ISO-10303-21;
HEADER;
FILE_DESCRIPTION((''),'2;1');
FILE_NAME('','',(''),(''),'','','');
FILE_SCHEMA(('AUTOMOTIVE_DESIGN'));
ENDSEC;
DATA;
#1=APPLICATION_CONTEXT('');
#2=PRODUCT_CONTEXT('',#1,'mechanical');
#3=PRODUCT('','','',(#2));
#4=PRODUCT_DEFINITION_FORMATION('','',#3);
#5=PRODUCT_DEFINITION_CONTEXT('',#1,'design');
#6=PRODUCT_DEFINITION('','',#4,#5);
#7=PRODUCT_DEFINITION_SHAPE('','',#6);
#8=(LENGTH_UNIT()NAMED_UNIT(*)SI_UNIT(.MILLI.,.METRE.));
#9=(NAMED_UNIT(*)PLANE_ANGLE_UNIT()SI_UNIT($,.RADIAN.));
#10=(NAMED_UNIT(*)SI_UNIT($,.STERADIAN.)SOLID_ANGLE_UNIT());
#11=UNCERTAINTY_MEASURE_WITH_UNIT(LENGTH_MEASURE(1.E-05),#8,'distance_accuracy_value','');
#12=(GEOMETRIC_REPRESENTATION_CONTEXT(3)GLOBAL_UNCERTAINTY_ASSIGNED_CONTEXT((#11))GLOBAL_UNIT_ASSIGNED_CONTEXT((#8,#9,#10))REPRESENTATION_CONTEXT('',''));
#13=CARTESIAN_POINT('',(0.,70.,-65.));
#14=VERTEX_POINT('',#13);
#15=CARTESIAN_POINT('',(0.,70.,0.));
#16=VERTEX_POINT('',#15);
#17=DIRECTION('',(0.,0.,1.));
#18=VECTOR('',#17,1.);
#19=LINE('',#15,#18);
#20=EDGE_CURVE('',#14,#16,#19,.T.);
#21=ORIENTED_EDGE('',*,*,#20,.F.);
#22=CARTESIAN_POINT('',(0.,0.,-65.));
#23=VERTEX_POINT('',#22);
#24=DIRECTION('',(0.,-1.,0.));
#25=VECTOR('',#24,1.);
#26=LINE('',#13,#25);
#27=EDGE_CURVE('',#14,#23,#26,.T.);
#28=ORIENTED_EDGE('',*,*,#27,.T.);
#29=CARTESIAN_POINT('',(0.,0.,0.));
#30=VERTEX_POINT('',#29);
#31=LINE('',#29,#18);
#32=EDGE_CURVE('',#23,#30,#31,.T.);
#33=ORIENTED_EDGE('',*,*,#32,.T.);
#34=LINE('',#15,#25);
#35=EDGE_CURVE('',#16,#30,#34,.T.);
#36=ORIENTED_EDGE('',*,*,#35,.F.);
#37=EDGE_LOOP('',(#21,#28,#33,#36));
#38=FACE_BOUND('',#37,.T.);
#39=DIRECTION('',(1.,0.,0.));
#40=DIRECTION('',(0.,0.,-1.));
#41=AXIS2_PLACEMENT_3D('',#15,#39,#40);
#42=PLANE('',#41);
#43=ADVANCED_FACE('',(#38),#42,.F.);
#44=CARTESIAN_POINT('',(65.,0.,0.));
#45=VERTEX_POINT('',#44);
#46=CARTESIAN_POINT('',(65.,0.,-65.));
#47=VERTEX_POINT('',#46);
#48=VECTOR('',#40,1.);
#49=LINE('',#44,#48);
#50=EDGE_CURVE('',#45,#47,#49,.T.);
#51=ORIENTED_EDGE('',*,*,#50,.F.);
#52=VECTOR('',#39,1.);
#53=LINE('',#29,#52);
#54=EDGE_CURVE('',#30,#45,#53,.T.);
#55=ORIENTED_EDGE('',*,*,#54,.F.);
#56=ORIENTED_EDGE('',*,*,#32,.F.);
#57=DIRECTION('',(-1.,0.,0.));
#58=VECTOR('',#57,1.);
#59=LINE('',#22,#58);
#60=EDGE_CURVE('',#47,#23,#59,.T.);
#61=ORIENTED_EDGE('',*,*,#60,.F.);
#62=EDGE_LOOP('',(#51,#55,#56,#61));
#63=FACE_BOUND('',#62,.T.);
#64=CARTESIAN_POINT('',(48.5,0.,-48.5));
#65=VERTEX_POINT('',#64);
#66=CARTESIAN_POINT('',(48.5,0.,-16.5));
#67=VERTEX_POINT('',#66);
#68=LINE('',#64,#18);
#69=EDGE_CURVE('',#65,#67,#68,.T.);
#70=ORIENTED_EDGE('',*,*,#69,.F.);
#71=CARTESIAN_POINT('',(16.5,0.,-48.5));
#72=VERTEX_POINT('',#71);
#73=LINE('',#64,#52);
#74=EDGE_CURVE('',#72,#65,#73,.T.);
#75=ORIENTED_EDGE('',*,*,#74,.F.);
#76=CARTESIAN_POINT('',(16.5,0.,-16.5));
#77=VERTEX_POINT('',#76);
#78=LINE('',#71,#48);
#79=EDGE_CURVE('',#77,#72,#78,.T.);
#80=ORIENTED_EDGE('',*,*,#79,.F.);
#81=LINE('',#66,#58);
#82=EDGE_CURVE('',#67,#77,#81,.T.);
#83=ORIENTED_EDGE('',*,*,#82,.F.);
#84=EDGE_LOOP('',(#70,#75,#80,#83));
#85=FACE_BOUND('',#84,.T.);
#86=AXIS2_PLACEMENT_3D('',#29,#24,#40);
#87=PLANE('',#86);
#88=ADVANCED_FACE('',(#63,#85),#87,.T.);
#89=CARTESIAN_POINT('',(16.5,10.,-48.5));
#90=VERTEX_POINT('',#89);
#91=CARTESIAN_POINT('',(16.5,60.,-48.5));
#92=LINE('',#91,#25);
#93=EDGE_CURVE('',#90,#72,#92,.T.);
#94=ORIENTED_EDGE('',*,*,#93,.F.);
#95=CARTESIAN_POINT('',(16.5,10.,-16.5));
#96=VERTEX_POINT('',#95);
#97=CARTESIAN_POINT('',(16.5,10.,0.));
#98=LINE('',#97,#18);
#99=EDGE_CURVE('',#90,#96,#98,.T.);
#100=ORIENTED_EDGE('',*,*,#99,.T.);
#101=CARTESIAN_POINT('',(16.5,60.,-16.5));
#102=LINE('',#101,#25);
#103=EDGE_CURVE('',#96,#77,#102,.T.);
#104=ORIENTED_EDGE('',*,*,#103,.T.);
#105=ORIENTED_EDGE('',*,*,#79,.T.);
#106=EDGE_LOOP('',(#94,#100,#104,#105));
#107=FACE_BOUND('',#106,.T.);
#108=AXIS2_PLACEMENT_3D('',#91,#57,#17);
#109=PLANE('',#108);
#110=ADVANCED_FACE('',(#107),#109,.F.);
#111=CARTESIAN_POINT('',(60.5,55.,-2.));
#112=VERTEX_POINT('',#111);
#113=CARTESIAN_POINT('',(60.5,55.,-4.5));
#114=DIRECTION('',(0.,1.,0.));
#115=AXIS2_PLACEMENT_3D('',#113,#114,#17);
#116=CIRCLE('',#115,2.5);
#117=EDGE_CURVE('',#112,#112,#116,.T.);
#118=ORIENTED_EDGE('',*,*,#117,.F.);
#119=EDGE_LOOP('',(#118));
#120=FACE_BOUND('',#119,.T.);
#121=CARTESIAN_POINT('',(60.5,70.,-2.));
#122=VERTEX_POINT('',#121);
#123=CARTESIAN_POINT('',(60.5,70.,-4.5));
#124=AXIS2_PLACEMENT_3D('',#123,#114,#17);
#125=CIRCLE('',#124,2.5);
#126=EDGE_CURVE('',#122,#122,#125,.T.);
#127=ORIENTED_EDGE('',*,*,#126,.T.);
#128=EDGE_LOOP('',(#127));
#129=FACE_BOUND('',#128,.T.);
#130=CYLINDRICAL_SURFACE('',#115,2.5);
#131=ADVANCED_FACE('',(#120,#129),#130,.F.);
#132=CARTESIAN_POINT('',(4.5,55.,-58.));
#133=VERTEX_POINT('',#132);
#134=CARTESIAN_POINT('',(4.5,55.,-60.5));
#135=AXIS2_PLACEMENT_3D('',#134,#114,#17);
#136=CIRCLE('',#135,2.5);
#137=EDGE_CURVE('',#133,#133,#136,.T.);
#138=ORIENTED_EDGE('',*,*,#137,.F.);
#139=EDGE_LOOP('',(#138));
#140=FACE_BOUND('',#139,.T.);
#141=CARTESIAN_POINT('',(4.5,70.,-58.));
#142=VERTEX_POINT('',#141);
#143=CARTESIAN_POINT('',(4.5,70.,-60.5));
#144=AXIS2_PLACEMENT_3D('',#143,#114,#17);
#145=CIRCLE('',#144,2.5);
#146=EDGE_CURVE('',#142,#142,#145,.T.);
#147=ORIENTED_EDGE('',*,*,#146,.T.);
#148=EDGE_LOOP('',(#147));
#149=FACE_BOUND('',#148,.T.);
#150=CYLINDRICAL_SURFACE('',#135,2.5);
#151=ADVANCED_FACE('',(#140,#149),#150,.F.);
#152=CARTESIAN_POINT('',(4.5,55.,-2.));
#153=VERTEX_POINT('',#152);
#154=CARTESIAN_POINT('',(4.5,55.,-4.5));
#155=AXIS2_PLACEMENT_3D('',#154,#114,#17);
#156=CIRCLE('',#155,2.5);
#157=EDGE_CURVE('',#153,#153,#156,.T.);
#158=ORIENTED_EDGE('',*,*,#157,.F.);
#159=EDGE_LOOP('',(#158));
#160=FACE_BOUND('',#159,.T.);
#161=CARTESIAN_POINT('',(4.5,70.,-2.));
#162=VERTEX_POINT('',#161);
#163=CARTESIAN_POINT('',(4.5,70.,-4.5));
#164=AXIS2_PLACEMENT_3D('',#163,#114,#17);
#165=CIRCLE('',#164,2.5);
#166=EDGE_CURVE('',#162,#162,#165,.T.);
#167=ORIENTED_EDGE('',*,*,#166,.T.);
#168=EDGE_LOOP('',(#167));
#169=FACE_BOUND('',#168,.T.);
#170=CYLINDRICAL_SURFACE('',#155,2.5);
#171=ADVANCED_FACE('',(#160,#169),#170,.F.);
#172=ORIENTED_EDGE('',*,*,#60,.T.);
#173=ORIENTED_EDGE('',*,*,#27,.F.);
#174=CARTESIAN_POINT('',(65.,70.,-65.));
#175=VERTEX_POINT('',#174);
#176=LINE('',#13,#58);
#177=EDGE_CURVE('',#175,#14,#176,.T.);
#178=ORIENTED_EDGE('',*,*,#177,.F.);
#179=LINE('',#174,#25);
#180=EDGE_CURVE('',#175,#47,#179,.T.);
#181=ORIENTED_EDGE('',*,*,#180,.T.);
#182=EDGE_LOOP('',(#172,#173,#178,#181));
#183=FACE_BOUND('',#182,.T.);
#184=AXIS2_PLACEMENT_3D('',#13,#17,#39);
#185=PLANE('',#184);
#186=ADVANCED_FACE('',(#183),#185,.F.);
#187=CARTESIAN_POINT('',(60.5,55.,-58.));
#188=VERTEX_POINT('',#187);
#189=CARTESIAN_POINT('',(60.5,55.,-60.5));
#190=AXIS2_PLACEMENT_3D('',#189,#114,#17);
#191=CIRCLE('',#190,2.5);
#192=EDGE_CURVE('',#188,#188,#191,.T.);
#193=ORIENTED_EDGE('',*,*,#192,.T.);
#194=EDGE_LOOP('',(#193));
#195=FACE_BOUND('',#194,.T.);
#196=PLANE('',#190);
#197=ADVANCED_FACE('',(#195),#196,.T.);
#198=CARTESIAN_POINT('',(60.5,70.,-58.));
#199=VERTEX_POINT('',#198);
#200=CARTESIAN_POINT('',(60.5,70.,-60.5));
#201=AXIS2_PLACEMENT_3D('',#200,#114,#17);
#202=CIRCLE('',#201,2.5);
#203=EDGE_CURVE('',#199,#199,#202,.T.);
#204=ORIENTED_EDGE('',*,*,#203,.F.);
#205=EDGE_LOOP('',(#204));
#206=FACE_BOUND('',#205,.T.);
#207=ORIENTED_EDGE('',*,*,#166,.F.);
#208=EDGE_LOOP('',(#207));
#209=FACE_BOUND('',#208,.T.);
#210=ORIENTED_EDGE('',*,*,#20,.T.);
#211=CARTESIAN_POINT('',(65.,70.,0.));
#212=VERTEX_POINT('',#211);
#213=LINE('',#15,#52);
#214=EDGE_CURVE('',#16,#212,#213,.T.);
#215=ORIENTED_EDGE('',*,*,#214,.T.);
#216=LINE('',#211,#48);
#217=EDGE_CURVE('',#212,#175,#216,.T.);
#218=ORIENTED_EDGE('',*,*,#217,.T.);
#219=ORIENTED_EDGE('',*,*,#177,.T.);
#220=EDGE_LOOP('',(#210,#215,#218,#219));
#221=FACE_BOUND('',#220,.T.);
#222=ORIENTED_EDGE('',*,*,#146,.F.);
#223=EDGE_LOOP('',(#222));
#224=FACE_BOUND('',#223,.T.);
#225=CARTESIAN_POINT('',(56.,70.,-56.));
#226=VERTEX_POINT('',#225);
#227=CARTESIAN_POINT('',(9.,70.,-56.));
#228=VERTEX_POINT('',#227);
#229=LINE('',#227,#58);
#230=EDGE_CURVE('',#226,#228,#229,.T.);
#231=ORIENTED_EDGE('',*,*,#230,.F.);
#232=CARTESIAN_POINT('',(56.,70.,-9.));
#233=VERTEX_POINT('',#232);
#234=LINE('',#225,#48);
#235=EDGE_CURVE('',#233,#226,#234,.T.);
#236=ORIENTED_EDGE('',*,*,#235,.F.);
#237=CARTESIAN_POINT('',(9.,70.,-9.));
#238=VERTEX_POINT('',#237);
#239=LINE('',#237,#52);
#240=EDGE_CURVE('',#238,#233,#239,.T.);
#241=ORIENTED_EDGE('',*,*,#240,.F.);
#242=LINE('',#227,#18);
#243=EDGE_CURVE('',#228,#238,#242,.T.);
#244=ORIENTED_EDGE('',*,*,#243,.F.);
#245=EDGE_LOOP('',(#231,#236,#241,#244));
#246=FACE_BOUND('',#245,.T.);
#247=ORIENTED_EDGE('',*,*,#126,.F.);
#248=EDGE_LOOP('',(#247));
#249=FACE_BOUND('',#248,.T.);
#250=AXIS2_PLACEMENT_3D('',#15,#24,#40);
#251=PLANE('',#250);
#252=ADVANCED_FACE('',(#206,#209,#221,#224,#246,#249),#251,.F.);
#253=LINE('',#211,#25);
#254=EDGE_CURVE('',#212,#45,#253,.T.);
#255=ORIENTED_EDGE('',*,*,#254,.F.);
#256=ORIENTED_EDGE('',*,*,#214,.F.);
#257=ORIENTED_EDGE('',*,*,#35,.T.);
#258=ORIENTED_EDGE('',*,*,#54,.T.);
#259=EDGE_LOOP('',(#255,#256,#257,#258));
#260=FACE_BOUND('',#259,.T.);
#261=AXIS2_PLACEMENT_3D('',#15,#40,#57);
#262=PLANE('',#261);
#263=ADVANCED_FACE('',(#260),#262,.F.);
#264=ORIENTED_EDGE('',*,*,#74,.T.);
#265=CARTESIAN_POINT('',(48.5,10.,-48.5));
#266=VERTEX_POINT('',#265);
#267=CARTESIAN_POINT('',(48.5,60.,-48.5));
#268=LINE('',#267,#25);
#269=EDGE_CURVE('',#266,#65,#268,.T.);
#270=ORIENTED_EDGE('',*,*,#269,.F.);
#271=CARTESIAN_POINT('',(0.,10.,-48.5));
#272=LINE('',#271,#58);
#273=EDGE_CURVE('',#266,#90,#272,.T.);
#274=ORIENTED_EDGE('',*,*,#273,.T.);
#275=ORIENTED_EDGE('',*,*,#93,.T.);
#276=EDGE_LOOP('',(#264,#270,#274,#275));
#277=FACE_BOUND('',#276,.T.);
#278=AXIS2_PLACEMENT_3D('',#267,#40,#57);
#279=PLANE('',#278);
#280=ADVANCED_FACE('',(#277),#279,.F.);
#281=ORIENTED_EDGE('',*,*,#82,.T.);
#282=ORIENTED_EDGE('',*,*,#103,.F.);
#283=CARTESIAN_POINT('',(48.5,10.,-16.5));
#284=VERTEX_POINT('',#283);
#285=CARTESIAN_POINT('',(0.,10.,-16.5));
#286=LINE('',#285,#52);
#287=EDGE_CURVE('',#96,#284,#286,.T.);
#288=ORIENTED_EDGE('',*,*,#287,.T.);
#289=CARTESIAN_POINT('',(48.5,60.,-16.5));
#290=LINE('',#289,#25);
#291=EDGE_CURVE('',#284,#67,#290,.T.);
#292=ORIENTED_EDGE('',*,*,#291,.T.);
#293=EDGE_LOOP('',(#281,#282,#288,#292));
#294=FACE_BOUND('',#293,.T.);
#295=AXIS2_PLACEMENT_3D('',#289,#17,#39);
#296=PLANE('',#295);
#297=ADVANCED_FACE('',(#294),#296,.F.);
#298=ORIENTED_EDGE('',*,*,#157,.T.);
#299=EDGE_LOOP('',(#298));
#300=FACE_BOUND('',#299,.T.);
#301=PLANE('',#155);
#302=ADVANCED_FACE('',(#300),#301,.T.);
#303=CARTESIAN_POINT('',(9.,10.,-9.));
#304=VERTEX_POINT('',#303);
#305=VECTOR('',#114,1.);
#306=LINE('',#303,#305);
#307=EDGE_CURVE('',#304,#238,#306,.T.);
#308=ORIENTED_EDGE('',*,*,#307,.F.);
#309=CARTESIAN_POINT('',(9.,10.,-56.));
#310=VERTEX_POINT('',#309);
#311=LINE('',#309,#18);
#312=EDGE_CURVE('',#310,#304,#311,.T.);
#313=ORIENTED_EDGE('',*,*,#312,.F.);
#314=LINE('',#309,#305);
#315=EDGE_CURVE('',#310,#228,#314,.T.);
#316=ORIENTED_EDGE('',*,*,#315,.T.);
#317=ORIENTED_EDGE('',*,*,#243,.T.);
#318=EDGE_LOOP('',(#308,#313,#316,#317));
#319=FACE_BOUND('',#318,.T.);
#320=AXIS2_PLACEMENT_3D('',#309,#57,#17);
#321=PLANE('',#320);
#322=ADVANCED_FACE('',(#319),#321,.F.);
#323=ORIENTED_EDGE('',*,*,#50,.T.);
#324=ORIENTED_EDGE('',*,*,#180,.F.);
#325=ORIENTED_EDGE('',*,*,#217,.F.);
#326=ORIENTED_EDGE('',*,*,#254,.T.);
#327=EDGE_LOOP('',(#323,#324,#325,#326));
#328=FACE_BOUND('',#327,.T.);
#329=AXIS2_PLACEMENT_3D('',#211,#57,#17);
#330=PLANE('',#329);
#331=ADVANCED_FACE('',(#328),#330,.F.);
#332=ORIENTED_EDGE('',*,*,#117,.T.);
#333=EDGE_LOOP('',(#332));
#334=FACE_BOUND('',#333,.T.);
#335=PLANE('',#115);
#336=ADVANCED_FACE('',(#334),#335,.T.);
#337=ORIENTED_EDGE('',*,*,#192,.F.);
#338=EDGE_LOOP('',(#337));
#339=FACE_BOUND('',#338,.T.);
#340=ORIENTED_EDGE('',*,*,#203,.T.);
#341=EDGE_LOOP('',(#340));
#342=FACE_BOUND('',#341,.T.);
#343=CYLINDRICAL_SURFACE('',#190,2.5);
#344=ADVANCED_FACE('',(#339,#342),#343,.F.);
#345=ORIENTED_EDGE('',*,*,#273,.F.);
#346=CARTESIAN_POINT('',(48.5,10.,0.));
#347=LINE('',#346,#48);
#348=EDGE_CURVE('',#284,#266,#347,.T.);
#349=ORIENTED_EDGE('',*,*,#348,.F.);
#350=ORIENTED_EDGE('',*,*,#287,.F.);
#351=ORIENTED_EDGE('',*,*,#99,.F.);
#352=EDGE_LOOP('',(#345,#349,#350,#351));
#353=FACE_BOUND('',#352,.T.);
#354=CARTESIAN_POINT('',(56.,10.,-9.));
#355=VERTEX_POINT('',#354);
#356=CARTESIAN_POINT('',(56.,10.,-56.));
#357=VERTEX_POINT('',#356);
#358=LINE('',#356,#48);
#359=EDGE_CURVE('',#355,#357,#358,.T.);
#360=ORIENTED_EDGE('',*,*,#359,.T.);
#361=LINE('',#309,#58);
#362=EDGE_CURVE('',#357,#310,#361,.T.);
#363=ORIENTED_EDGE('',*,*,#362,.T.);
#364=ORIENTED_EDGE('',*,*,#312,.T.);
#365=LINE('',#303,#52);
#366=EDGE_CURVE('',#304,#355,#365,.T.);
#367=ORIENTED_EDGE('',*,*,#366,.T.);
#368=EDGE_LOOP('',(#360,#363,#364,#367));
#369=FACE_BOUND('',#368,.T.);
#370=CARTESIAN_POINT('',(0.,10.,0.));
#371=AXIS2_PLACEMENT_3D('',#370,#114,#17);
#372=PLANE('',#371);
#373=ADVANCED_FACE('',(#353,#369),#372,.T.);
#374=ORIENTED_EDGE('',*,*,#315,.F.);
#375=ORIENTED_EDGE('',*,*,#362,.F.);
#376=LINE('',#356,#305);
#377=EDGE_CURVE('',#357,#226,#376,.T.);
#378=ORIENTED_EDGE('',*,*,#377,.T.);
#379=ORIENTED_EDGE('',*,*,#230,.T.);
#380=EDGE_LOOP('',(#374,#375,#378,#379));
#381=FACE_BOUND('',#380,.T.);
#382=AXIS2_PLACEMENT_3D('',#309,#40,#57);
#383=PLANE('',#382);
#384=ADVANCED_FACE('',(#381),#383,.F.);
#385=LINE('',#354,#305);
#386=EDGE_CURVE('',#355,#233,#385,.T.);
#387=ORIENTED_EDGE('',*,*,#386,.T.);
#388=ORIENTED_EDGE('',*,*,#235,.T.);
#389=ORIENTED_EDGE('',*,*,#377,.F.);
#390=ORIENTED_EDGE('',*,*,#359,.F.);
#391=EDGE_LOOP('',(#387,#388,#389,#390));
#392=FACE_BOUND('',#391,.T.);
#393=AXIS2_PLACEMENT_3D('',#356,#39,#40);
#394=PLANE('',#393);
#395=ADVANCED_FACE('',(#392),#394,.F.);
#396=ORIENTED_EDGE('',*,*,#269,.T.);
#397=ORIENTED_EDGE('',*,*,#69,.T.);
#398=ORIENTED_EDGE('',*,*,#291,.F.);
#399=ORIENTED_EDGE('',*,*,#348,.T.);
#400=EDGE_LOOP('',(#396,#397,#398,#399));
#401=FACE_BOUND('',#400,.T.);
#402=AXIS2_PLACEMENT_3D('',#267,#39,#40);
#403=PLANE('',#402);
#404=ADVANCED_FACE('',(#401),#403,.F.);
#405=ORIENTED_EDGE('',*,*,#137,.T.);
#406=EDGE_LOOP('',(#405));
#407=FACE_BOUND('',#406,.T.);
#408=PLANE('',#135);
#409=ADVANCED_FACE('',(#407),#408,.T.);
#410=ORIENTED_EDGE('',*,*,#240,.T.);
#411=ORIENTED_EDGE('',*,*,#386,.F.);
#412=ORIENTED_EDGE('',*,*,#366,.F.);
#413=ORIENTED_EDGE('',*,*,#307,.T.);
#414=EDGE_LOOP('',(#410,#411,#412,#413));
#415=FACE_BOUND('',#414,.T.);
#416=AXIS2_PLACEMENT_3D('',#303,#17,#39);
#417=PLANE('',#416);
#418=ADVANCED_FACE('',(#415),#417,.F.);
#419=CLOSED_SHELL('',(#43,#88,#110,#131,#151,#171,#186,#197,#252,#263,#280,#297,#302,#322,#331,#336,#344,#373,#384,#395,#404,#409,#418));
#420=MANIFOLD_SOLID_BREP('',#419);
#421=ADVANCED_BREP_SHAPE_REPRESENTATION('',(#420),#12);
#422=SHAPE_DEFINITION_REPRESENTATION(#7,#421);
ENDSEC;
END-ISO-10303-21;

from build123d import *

# Parameters (mm, degrees)
SKETCH1_W           = 65
SKETCH1_H           = 65
BOSS_EXTRUDE1_DEPTH = 70
SKETCH2_W           = 47
SKETCH2_H           = 47
CUT_EXTRUDE1_DEPTH  = 60
SKETCH3_W           = 32
SKETCH3_H           = 32
CUT_EXTRUDE2_DEPTH  = 60
SKETCH4_R           = 2.5
CUT_EXTRUDE3_DEPTH  = 15


with BuildPart() as part:
    # Sketch1 → Boss-Extrude1 (new body)
    with BuildSketch(Plane(origin=(0, 0, 0), x_dir=(1, 0, 0), z_dir=(0, 1, 0))):
        with Locations((32.5, 32.5)):
            Rectangle(SKETCH1_W, SKETCH1_H)
    extrude(amount=BOSS_EXTRUDE1_DEPTH)

    # Sketch2 → Cut-Extrude1 (cut)
    with BuildSketch(Plane(origin=(0, 70, 0), x_dir=(1, 0, 0), z_dir=(0, 1, 0))):
        with Locations((32.5, 32.5)):
            Rectangle(SKETCH2_W, SKETCH2_H)
    extrude(amount=-CUT_EXTRUDE1_DEPTH, mode=Mode.SUBTRACT)

    # Sketch3 → Cut-Extrude2 (cut)
    with BuildSketch(Plane.XZ):
        with Locations((32.5, -32.5)):
            Rectangle(SKETCH3_W, SKETCH3_H)
    extrude(amount=-CUT_EXTRUDE2_DEPTH, mode=Mode.SUBTRACT)

    # Sketch4 → Cut-Extrude3 (cut)
    with BuildSketch(Plane(origin=(0, 70, 0), x_dir=(1, 0, 0), z_dir=(0, 1, 0))):
        with Locations((4.5, 60.5)):
            Circle(SKETCH4_R)
        with Locations((60.5, 60.5)):
            Circle(SKETCH4_R)
        with Locations((60.5, 4.5)):
            Circle(SKETCH4_R)
        with Locations((4.5, 4.5)):
            Circle(SKETCH4_R)
    extrude(amount=-CUT_EXTRUDE3_DEPTH, mode=Mode.SUBTRACT)


solid = part.part
